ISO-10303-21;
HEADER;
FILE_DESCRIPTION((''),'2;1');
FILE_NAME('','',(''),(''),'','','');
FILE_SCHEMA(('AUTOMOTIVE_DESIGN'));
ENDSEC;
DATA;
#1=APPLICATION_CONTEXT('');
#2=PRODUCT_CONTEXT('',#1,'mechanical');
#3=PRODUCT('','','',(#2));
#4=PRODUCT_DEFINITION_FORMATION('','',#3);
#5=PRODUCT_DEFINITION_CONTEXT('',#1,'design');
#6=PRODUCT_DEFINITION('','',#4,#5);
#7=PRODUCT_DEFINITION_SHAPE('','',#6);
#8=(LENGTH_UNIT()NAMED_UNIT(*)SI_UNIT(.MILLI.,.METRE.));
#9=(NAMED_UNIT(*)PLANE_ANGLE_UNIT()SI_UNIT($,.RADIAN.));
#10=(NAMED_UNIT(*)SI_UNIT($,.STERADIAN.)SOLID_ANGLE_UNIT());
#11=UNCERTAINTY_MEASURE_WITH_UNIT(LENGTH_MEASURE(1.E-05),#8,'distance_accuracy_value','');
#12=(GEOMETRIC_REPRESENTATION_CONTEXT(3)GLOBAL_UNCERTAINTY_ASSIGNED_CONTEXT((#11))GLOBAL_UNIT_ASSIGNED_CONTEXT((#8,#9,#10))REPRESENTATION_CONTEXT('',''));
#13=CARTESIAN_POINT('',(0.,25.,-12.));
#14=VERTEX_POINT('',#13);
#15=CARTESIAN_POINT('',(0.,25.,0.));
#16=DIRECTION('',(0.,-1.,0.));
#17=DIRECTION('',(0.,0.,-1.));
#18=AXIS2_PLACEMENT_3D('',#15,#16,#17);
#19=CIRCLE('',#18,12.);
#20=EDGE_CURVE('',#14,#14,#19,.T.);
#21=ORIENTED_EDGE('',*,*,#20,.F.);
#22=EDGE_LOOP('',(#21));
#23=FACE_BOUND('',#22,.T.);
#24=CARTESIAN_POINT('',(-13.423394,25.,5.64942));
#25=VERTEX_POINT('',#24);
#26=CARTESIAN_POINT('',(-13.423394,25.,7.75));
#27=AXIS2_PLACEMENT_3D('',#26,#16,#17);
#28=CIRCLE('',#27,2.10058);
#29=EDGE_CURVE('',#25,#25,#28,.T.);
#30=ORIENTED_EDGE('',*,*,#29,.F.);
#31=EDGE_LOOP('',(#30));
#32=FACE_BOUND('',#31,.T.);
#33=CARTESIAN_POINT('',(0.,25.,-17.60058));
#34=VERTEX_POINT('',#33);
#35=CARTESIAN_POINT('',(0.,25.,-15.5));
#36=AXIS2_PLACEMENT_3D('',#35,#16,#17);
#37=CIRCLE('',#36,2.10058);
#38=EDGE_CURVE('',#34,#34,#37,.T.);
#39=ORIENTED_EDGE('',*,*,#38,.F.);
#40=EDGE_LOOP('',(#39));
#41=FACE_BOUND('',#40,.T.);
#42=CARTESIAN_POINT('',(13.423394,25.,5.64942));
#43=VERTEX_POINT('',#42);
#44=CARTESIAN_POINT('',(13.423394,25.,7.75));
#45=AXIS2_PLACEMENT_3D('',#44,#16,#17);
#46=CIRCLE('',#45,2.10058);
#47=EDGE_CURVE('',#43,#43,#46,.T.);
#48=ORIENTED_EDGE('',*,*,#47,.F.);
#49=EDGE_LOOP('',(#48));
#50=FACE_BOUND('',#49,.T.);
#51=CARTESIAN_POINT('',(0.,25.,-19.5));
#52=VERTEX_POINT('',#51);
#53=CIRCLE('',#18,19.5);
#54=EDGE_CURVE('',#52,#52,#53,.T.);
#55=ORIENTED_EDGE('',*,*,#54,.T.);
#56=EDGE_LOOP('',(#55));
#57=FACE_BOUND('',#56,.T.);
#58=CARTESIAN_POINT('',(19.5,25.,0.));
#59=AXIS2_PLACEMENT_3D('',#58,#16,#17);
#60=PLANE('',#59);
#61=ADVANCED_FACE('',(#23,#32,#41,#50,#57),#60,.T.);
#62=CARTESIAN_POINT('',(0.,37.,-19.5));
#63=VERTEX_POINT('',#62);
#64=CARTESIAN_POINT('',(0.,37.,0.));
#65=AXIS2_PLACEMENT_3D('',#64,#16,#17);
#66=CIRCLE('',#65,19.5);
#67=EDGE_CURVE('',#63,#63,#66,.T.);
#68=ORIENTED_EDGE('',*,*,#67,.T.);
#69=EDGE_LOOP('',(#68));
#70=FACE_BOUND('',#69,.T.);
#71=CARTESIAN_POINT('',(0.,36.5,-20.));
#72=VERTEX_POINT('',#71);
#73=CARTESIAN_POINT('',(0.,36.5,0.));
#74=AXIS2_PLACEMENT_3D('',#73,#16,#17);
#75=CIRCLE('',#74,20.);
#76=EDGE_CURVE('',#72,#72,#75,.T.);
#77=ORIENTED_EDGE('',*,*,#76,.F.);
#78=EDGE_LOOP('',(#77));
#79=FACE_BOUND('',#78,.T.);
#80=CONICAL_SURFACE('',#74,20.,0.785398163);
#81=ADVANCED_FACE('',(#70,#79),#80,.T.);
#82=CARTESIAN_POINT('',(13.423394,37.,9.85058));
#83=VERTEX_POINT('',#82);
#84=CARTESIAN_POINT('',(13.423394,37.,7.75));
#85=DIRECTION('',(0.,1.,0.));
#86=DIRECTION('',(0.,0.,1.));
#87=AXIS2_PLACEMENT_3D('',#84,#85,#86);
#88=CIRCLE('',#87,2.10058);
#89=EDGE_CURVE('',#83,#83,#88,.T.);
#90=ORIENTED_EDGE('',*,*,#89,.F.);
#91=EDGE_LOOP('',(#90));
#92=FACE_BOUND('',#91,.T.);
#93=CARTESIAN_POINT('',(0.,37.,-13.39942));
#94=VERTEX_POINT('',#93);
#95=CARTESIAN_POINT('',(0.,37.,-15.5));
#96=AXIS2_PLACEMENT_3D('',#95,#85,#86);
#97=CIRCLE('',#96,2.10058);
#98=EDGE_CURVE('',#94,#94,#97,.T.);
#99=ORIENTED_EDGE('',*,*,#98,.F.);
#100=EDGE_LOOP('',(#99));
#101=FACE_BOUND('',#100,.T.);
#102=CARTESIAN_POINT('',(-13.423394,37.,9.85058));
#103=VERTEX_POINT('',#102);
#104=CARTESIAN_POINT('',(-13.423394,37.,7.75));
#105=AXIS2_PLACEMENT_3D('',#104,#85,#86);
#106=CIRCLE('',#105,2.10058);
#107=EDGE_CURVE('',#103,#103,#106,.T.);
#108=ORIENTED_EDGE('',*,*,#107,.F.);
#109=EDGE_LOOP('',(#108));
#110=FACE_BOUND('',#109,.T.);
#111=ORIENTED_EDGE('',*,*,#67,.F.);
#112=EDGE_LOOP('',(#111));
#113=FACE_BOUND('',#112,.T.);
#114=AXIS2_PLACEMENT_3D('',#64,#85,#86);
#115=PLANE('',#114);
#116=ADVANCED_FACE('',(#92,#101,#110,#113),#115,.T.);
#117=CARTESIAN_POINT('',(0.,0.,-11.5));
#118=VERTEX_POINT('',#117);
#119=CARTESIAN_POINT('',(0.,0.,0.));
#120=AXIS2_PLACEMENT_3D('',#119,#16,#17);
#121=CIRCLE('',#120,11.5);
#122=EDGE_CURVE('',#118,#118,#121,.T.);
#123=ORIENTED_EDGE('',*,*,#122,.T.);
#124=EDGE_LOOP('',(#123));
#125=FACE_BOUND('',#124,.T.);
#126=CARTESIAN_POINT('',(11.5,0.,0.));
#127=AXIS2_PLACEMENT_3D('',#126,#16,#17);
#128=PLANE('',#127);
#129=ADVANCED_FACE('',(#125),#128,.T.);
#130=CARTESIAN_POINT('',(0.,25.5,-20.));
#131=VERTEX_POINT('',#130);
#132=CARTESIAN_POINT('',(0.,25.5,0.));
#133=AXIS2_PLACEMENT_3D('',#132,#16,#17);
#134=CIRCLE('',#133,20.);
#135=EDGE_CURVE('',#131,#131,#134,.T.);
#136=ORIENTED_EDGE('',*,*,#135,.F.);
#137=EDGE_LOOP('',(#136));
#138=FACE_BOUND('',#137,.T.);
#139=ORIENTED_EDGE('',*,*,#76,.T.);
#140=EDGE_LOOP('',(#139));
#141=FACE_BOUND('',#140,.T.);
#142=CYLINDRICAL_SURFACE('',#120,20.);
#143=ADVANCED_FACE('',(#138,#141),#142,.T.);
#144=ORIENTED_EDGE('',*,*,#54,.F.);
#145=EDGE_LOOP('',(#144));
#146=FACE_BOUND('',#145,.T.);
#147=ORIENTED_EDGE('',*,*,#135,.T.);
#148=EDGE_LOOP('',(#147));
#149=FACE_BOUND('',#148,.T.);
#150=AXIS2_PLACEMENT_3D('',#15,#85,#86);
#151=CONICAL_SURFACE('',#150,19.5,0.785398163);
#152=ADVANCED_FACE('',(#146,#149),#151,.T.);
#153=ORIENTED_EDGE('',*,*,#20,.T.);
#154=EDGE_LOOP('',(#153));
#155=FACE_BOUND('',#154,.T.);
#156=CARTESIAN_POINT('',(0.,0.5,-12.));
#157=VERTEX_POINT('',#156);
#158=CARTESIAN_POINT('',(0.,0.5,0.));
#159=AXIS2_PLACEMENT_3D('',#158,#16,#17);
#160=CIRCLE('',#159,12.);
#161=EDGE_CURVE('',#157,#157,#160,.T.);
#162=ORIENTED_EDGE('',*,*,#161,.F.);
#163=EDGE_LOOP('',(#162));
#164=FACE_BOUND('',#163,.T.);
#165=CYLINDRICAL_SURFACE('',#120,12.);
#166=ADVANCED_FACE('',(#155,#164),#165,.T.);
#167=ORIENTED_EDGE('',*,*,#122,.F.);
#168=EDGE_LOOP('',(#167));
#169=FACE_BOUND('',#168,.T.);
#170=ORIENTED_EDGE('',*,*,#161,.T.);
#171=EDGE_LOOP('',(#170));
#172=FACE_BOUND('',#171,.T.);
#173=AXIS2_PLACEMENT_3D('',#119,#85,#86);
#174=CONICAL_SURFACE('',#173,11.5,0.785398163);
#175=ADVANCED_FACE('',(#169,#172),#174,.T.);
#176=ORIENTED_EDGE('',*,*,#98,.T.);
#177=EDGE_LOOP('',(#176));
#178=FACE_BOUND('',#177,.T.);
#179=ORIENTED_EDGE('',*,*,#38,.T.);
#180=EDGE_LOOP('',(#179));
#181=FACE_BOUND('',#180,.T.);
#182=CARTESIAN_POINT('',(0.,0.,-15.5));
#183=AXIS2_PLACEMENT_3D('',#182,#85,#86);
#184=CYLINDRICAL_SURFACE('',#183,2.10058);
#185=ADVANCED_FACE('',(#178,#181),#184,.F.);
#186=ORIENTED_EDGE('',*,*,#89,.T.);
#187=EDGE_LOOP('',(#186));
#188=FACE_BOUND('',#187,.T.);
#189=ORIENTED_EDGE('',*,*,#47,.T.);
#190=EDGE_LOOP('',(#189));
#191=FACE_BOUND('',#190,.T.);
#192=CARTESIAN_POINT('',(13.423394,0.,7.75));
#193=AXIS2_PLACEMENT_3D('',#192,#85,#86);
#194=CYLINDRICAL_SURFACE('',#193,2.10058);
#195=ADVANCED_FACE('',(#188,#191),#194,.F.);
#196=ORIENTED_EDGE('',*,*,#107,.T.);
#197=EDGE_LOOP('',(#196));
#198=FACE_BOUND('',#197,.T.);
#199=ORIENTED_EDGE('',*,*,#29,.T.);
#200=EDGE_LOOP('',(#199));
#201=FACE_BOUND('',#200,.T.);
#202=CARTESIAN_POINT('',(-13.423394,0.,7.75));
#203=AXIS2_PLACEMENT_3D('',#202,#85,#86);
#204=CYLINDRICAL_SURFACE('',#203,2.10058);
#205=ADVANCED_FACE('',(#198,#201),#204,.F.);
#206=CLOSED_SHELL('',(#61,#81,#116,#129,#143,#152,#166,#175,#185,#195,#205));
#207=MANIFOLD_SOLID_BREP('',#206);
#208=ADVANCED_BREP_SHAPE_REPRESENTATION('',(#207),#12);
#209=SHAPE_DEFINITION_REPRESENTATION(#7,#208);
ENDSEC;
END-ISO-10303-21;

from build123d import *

# Parameters (mm, degrees)
SKETCH2_R          = 2.10058
CUT_EXTRUDE1_DEPTH = 38


with BuildPart() as part:
    # Sketch1 → Revolve1 (revolve)
    with BuildSketch(Plane.XY):
        Polygon((0, 0), (0, 37), (19.5, 37), (20, 36.5), (20, 25.5), (19.5, 25), (12, 25), (12, 0.5), (11.5, 0), align=None)
    revolve(axis=Axis((0, 0, 0), (0, 1, 0)))

    # Sketch2 → Cut-Extrude1 (cut, through all)
    with BuildSketch(Plane(origin=(0, 37, 0), x_dir=(1, 0, 0), z_dir=(0, 1, 0))):
        with Locations((0, 15.5)):
            Circle(SKETCH2_R)
        with Locations((13.423393759, -7.75)):
            Circle(SKETCH2_R)
        with Locations((-13.423393759, -7.75)):
            Circle(SKETCH2_R)
    extrude(amount=-CUT_EXTRUDE1_DEPTH, mode=Mode.SUBTRACT)


solid = part.part
